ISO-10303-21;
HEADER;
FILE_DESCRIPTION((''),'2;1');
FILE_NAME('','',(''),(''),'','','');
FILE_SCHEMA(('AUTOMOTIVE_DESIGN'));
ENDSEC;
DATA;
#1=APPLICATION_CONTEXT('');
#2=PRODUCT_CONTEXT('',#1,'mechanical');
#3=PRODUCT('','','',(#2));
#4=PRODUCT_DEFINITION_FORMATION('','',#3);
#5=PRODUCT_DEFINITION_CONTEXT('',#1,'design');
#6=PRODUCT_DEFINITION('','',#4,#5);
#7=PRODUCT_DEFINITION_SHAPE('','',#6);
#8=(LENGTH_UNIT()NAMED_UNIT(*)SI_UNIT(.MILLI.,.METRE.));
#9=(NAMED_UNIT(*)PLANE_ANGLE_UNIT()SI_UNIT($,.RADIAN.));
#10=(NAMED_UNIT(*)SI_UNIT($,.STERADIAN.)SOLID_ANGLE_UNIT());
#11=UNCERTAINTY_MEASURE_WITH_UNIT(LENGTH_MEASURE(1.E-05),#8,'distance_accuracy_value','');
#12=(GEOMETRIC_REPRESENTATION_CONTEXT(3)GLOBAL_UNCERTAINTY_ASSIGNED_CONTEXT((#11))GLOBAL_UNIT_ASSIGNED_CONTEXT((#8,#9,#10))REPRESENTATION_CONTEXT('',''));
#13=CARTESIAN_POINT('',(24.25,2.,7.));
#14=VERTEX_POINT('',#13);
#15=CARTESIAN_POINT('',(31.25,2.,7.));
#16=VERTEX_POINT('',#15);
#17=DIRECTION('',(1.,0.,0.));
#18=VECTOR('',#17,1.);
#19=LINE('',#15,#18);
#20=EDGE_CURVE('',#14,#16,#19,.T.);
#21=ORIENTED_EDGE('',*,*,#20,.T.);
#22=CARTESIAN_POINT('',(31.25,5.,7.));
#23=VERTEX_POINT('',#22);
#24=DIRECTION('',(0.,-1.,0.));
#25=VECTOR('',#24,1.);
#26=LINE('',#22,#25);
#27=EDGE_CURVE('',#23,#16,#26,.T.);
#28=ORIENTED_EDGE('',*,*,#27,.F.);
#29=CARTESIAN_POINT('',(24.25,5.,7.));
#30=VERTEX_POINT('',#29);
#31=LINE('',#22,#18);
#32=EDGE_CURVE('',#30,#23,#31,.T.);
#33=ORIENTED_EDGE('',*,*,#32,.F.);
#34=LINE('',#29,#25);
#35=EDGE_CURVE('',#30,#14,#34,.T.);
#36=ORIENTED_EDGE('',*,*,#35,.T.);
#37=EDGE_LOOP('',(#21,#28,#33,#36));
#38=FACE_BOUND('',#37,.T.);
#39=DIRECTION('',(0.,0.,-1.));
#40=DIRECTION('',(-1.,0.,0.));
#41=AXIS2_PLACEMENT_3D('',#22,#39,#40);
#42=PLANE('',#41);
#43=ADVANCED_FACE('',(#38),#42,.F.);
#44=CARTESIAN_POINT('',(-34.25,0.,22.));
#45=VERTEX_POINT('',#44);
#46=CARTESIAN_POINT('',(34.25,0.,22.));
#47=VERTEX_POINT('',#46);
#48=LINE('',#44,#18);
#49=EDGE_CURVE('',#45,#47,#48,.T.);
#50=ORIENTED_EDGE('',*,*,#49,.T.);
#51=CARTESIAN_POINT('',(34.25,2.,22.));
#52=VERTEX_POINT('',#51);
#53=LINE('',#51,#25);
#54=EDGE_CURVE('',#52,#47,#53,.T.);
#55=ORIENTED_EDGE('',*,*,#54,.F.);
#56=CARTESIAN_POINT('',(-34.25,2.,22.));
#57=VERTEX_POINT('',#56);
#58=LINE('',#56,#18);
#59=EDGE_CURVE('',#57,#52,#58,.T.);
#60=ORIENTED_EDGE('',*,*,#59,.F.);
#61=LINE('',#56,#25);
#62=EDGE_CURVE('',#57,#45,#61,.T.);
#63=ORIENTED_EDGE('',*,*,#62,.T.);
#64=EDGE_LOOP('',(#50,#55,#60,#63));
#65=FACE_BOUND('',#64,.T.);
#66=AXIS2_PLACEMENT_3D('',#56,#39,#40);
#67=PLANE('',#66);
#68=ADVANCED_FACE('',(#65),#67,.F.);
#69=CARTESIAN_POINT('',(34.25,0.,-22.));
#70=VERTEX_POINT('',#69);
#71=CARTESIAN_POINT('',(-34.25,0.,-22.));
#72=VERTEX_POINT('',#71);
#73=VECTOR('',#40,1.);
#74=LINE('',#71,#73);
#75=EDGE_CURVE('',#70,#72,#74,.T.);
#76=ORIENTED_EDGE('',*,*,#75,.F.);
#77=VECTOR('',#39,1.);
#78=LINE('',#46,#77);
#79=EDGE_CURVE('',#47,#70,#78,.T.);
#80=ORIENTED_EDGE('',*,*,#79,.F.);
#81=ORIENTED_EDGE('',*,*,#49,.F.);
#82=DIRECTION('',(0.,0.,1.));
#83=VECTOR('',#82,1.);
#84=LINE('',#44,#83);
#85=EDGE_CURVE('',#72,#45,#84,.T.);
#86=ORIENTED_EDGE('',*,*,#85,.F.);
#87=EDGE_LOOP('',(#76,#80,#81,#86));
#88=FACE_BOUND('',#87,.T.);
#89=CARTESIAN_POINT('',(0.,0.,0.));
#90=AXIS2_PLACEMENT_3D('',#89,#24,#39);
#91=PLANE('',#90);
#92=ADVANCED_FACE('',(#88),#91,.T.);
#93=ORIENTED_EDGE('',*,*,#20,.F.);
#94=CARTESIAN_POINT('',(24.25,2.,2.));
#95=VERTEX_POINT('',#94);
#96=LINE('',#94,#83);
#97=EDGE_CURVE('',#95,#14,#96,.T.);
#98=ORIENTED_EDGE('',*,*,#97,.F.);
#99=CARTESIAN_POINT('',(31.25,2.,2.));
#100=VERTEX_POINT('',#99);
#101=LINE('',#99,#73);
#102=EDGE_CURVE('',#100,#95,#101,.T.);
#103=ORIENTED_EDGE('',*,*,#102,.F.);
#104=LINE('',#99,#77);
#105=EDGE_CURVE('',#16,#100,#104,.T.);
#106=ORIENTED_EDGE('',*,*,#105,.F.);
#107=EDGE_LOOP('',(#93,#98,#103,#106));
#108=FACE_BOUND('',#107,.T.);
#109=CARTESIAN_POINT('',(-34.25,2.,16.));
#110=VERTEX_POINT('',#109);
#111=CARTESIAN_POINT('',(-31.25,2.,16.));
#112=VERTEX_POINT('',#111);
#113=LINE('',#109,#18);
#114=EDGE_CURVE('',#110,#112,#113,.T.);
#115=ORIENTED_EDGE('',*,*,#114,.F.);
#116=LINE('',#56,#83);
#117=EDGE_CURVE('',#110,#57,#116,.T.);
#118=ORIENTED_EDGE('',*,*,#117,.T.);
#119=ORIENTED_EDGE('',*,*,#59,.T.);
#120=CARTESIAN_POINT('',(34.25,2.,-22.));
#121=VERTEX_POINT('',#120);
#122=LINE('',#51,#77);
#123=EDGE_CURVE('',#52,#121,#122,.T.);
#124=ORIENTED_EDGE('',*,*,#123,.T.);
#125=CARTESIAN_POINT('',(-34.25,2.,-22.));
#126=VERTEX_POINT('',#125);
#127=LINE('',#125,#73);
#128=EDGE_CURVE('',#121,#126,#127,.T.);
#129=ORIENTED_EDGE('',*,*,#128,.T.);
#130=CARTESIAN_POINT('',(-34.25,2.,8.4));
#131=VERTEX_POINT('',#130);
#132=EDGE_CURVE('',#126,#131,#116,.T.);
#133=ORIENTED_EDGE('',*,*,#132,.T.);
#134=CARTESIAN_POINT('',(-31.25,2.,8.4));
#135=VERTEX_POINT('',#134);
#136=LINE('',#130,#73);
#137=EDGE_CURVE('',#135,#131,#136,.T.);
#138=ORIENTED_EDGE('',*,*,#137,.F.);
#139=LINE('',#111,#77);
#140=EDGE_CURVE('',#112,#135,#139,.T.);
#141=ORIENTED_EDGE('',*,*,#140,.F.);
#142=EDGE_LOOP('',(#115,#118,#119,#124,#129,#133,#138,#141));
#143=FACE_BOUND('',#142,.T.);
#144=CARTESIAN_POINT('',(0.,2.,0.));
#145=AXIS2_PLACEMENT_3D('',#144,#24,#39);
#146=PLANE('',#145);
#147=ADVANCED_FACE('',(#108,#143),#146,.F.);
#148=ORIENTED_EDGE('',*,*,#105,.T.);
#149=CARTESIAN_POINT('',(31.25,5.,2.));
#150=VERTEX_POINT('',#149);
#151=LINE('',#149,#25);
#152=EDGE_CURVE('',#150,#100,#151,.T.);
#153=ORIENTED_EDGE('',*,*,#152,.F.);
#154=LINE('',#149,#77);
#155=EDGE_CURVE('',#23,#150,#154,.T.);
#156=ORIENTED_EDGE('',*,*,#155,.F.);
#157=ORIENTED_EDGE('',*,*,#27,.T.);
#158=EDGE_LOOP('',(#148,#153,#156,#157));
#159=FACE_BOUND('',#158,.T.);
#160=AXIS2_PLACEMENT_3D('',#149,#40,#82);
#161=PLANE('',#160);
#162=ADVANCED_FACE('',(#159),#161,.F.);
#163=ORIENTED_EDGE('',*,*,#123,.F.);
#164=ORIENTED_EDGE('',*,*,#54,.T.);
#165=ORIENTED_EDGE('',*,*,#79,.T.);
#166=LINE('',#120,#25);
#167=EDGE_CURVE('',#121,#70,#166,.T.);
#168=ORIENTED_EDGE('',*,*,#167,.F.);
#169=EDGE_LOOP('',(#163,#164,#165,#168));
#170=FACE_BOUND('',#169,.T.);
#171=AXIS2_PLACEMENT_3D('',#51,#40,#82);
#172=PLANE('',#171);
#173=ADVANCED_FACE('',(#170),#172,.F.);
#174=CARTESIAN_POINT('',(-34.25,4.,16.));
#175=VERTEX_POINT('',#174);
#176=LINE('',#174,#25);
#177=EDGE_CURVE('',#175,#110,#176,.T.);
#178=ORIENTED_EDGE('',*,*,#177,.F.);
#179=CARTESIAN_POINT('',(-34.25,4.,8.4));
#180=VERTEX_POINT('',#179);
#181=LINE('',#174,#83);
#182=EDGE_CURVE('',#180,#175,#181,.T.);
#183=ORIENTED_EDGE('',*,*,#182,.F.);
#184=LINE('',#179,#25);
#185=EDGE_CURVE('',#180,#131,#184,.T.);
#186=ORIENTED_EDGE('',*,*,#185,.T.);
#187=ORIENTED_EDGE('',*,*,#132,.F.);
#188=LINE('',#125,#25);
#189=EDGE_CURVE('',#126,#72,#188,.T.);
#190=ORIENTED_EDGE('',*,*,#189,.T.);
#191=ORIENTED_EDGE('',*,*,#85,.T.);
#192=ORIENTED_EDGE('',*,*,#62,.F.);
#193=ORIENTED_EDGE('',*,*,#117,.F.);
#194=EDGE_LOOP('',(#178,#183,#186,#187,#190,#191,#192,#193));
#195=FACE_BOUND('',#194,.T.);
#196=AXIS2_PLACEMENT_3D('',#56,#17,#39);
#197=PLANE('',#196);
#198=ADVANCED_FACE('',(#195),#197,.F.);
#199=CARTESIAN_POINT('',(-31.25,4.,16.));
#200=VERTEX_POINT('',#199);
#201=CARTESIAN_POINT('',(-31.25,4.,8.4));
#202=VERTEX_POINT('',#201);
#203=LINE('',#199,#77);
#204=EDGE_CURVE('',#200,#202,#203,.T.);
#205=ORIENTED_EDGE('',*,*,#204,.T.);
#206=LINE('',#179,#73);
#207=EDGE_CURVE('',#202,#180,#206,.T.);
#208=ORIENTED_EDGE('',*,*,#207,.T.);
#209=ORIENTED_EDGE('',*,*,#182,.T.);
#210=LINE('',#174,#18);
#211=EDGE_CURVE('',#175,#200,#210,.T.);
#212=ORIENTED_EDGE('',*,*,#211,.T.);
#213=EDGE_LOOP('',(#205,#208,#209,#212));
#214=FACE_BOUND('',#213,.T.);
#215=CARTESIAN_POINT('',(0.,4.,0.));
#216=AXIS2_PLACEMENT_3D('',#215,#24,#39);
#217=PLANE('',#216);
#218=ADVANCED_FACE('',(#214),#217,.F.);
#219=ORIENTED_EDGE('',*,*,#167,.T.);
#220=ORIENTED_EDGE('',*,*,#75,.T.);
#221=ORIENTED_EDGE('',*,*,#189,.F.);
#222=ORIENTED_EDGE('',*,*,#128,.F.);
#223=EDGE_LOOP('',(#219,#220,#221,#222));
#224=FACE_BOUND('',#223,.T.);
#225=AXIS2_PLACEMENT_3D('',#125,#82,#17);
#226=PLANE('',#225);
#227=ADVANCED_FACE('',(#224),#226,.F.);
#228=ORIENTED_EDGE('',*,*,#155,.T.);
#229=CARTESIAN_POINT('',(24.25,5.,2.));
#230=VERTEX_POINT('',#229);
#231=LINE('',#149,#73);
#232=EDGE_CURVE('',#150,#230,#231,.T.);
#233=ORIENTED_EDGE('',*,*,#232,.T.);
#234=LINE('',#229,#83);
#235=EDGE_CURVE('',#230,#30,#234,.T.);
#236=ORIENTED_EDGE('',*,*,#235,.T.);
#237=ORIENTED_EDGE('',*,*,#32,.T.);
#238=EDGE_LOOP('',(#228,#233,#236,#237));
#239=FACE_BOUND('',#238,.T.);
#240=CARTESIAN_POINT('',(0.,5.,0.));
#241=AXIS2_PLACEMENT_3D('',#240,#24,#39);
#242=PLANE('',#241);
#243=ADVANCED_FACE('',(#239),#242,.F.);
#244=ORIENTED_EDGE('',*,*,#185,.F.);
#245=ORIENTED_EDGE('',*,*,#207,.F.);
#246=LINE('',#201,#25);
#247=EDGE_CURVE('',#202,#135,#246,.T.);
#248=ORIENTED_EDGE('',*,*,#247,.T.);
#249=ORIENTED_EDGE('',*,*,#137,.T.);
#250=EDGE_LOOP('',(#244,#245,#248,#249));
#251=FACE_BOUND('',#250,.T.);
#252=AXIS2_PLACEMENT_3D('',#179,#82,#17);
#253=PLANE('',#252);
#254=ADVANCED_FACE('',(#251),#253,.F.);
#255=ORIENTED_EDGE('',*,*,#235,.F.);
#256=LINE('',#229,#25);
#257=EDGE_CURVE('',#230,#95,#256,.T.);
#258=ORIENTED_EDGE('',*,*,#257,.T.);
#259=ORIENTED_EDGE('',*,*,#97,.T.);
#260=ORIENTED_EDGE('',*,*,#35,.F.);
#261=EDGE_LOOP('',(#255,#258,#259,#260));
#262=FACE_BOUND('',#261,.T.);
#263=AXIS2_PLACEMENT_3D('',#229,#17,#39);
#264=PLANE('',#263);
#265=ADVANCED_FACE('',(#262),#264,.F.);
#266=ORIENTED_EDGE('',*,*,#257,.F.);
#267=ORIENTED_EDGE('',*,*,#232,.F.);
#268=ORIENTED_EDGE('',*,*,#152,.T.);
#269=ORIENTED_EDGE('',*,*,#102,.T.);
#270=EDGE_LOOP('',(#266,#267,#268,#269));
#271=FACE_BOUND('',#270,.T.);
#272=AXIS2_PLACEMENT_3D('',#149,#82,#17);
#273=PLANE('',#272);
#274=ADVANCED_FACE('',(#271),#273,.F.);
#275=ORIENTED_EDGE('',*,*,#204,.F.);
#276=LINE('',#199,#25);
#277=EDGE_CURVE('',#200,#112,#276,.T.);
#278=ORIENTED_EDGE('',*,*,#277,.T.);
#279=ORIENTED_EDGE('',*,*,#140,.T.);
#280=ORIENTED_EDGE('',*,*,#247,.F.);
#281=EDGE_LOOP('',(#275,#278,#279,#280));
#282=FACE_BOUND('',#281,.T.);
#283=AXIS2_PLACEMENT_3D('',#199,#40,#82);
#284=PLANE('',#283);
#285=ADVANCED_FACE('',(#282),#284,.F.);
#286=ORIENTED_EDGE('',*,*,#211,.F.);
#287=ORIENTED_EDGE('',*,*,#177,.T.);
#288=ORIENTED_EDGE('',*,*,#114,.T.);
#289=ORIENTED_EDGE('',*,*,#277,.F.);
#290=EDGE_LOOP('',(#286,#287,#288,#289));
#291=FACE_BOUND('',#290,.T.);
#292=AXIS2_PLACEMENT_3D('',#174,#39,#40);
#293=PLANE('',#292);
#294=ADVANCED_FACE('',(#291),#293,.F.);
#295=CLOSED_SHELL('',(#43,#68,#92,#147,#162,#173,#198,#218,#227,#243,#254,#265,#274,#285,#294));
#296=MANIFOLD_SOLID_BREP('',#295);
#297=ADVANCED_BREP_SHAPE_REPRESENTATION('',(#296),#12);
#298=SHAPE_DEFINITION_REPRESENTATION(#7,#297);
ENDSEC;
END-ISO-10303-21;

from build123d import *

# Parameters (mm, degrees)
SKETCH1_W           = 68.5
SKETCH1_H           = 44
BOSS_EXTRUDE1_DEPTH = 2
SKETCH2_W           = 7
SKETCH2_H           = 5
BOSS_EXTRUDE2_DEPTH = 3
SKETCH3_W           = 3
SKETCH3_H           = 7.6
BOSS_EXTRUDE3_DEPTH = 2


with BuildPart() as part:
    # Sketch1 → Boss-Extrude1 (new body)
    with BuildSketch(Plane(origin=(0, 0, 0), x_dir=(1, 0, 0), z_dir=(0, 1, 0))):
        Rectangle(SKETCH1_W, SKETCH1_H)
    extrude(amount=BOSS_EXTRUDE1_DEPTH)

    # Sketch2 → Boss-Extrude2 (add)
    with BuildSketch(Plane(origin=(0, 2, 0), x_dir=(1, 0, 0), z_dir=(0, 1, 0))):
        with Locations((27.75, -4.5)):
            Rectangle(SKETCH2_W, SKETCH2_H)
    extrude(amount=BOSS_EXTRUDE2_DEPTH)

    # Sketch3 → Boss-Extrude3 (add)
    with BuildSketch(Plane(origin=(0, 2, 0), x_dir=(1, 0, 0), z_dir=(0, 1, 0))):
        with Locations((-32.75, -12.2)):
            Rectangle(SKETCH3_W, SKETCH3_H)
    extrude(amount=BOSS_EXTRUDE3_DEPTH)


solid = part.part
